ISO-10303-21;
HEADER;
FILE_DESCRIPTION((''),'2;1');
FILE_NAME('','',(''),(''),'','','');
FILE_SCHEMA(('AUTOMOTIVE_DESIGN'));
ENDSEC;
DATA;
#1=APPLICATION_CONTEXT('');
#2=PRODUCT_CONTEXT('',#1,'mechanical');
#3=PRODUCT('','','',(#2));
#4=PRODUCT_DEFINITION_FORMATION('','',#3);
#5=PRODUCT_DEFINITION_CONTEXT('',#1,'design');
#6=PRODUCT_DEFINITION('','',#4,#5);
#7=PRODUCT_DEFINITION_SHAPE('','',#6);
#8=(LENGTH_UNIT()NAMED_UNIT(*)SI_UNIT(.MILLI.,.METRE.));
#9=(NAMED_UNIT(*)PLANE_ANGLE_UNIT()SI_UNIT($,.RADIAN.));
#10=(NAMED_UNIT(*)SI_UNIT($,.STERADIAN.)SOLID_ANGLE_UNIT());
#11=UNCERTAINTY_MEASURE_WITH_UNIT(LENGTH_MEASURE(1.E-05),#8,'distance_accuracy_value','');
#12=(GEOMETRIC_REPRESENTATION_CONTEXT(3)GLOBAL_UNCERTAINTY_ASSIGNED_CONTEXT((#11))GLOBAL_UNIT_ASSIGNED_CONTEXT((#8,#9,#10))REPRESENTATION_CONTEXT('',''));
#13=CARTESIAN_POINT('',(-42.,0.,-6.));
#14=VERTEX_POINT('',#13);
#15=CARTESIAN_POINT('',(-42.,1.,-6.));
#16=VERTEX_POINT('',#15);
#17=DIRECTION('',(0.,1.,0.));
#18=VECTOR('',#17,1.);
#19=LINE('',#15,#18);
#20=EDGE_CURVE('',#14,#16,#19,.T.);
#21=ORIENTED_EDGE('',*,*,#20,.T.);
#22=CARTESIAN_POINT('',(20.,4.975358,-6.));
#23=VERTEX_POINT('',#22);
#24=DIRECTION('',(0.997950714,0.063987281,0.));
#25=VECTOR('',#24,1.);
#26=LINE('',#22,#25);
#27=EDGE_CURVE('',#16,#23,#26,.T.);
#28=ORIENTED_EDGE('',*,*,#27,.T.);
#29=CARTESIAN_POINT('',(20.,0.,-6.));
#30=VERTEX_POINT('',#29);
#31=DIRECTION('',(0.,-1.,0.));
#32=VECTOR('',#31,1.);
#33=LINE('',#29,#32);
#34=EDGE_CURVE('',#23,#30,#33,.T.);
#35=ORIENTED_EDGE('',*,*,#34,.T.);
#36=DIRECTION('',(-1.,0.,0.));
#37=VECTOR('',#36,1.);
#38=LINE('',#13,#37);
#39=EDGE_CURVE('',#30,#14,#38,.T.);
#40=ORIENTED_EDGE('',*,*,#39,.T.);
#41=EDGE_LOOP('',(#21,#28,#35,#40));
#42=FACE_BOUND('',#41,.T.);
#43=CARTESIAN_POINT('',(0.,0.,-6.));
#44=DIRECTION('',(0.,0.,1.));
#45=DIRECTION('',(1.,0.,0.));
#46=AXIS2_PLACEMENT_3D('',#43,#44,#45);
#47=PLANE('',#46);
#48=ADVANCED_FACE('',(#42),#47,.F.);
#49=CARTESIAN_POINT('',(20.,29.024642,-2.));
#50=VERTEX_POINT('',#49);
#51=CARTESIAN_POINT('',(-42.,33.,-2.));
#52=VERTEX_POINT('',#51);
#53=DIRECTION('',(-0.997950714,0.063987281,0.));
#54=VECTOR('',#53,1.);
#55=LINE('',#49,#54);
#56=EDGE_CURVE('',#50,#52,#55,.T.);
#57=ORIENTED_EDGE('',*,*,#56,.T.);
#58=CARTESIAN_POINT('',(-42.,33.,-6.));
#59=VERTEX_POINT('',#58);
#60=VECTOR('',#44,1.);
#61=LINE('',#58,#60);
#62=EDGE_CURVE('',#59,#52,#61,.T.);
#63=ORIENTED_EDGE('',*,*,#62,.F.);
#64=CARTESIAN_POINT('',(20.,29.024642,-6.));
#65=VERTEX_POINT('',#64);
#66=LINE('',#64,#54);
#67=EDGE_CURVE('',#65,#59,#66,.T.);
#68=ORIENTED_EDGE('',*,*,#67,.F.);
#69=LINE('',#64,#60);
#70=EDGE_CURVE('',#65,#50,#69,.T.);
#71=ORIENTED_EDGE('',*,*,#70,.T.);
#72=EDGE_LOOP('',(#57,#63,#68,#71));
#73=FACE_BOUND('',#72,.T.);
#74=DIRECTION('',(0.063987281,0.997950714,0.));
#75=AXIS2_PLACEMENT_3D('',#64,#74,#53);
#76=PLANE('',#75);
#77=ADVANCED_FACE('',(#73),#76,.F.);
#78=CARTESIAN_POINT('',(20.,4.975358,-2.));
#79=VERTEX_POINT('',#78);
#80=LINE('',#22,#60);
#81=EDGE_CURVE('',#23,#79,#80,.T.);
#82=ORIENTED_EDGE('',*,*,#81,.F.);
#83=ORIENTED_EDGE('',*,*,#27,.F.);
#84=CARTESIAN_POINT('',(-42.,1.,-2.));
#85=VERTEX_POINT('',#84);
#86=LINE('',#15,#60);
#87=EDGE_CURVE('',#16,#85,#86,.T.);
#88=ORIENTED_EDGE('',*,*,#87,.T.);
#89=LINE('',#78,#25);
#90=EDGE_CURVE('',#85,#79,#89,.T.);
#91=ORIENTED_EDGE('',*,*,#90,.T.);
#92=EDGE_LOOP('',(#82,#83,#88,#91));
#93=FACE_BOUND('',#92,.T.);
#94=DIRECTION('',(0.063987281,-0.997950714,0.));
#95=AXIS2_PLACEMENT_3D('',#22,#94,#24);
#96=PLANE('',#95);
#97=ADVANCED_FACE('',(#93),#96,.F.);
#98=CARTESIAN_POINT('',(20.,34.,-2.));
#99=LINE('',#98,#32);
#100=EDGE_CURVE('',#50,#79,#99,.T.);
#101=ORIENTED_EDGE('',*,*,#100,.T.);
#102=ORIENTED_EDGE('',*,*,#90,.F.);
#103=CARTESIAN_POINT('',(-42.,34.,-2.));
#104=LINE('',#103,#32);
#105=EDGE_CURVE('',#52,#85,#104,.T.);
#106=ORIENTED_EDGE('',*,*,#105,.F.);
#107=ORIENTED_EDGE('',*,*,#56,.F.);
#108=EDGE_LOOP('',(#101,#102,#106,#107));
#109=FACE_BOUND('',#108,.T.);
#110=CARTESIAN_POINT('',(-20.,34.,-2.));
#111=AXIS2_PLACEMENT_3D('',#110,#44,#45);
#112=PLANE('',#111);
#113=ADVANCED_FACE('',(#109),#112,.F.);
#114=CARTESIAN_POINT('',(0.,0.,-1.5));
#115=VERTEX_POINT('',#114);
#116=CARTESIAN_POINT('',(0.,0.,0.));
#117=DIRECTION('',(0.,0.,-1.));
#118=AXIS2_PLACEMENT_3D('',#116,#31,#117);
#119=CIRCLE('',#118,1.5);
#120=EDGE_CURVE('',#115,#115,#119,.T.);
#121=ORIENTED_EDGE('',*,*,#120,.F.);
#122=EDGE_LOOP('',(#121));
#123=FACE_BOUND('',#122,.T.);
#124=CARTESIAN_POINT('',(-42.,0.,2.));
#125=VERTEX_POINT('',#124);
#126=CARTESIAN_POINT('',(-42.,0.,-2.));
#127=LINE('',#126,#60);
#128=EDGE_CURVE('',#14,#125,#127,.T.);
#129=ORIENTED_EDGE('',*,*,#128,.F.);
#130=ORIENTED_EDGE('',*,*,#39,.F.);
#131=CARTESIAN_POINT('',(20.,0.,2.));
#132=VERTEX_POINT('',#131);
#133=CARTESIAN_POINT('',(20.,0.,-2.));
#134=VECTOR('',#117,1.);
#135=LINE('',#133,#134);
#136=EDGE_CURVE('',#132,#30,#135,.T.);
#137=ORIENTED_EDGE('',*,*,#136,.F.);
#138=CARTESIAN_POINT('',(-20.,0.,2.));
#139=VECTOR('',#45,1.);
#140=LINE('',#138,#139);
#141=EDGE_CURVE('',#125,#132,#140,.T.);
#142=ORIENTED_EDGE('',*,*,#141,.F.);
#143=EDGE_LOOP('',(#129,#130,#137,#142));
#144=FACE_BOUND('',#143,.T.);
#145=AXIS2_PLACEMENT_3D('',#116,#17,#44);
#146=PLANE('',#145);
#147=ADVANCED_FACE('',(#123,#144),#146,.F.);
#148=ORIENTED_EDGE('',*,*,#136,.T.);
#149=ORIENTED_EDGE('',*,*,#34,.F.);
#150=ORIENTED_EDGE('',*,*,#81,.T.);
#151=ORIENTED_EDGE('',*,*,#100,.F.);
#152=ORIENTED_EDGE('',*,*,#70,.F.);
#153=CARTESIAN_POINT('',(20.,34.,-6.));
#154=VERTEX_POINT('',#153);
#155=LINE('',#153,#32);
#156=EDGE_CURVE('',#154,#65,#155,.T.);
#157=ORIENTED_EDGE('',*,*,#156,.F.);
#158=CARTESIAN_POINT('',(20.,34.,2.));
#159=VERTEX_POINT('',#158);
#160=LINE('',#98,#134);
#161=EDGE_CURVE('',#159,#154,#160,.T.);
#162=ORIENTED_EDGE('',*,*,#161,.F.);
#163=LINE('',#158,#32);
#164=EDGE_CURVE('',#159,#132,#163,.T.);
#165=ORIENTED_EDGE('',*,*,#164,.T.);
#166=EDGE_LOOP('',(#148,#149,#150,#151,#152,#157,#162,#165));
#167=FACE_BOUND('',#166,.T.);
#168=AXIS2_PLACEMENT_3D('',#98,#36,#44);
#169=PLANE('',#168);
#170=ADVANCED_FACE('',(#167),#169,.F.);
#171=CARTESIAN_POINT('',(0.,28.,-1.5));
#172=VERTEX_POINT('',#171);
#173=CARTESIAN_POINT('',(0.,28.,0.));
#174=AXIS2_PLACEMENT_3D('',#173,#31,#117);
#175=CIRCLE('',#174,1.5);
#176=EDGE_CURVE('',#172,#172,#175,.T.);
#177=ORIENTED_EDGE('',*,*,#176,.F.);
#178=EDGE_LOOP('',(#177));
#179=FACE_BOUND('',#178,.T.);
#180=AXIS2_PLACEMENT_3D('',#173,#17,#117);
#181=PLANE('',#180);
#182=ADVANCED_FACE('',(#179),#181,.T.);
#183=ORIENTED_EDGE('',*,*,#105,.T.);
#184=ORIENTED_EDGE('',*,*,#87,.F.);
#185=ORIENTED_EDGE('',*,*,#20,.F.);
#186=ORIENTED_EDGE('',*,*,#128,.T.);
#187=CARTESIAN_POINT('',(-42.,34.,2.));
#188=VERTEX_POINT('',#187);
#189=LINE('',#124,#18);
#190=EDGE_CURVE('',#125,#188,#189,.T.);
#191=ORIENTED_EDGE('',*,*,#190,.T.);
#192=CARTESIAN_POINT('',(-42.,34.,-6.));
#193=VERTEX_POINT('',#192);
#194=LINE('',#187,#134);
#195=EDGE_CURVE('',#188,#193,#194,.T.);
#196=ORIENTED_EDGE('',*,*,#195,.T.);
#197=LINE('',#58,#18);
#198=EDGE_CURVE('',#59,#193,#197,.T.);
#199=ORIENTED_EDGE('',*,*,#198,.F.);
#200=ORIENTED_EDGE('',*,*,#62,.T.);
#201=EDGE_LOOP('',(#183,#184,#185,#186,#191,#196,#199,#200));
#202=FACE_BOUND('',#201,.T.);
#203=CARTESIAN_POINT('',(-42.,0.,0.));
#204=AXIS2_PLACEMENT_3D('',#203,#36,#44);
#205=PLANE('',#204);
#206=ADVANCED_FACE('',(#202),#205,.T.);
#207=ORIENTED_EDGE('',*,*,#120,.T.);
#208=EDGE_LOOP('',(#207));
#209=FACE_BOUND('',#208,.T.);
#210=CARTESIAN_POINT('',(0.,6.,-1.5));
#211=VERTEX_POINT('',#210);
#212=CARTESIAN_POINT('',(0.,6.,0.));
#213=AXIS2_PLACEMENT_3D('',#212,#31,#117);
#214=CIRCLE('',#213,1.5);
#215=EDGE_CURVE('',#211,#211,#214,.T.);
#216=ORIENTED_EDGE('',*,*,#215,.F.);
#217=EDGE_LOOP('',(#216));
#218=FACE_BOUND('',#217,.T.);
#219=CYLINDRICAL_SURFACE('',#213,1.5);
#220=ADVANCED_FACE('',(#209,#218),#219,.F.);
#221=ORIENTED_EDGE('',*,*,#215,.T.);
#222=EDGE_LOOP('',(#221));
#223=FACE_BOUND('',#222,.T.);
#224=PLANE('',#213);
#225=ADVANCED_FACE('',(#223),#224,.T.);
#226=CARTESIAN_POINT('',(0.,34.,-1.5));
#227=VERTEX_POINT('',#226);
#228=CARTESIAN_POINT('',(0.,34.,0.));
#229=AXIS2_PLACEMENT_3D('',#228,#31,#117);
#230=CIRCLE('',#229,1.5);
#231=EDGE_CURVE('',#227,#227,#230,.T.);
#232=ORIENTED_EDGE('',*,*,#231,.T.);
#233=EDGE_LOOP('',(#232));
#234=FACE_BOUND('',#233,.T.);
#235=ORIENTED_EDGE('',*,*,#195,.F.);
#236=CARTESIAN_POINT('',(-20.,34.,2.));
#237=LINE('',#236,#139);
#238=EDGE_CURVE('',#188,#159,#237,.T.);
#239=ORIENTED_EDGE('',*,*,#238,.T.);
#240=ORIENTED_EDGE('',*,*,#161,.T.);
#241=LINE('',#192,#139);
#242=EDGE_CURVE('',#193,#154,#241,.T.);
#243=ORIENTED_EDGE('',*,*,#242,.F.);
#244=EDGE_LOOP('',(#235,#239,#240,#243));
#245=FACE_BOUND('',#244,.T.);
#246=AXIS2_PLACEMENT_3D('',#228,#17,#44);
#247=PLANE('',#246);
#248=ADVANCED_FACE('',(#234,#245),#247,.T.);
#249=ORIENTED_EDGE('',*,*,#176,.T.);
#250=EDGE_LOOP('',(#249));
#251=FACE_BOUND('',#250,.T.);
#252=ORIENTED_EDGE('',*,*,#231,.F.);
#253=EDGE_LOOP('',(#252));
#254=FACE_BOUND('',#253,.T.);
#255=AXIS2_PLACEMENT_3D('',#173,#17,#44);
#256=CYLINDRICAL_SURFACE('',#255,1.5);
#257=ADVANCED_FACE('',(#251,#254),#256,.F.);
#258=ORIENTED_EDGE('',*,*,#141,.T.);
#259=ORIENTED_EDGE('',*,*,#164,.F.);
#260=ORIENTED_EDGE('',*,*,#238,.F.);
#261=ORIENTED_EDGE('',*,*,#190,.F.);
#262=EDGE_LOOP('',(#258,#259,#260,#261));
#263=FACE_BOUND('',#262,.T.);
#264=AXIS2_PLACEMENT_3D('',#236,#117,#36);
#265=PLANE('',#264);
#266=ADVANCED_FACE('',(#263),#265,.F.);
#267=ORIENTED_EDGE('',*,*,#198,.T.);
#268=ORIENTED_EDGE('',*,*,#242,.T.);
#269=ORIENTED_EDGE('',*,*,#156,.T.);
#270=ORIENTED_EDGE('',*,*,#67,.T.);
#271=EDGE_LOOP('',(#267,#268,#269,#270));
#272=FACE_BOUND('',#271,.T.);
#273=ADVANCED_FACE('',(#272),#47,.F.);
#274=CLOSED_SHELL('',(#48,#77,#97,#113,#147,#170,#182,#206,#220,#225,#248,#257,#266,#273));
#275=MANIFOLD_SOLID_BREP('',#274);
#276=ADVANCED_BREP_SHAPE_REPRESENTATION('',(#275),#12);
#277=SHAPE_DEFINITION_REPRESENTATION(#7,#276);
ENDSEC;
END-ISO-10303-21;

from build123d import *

# Parameters (mm, degrees)
SKETCH1_W           = 40
SKETCH1_H           = 4
BOSS_EXTRUDE1_DEPTH = 34
SKETCH2_R           = 1.5
CUT_EXTRUDE1_DEPTH  = 6
SKETCH3_W           = 4
SKETCH3_H           = 34
BOSS_EXTRUDE2_DEPTH = 22
BOSS_EXTRUDE3_DEPTH = 4


with BuildPart() as part:
    # Sketch1 → Boss-Extrude1 (new body)
    with BuildSketch(Plane(origin=(0, 0, 0), x_dir=(1, 0, 0), z_dir=(0, 1, 0))):
        Rectangle(SKETCH1_W, SKETCH1_H)
    extrude(amount=BOSS_EXTRUDE1_DEPTH)

    # Sketch2 → Cut-Extrude1 (cut)
    with BuildSketch(Plane.XZ):
        Circle(SKETCH2_R)
    cut_extrude1 = extrude(amount=-CUT_EXTRUDE1_DEPTH, mode=Mode.SUBTRACT)

    # Mirror1: Cut-Extrude1 across plane
    add(cut_extrude1.mirror(Plane(origin=(0, 17, 0), x_dir=(0, 0, 1), z_dir=(0, -1, 0))), mode=Mode.SUBTRACT)

    # Sketch3 → Boss-Extrude2 (add)
    with BuildSketch(Plane.ZY.offset(20)):
        with Locations((0, 17)):
            Rectangle(SKETCH3_W, SKETCH3_H)
    extrude(amount=BOSS_EXTRUDE2_DEPTH)

    # Sketch5 → Boss-Extrude3 (add)
    with BuildSketch(Plane(origin=(0, 0, -2), x_dir=(-1, 0, 0), z_dir=(0, 0, -1))):
        Polygon((-20, 29.024641929), (42, 33), (42, 34), (-20, 34), align=None)
        Polygon((42, 0), (-20, 0), (-20, 4.975358071), (42, 1), align=None)
    extrude(amount=BOSS_EXTRUDE3_DEPTH)


solid = part.part
